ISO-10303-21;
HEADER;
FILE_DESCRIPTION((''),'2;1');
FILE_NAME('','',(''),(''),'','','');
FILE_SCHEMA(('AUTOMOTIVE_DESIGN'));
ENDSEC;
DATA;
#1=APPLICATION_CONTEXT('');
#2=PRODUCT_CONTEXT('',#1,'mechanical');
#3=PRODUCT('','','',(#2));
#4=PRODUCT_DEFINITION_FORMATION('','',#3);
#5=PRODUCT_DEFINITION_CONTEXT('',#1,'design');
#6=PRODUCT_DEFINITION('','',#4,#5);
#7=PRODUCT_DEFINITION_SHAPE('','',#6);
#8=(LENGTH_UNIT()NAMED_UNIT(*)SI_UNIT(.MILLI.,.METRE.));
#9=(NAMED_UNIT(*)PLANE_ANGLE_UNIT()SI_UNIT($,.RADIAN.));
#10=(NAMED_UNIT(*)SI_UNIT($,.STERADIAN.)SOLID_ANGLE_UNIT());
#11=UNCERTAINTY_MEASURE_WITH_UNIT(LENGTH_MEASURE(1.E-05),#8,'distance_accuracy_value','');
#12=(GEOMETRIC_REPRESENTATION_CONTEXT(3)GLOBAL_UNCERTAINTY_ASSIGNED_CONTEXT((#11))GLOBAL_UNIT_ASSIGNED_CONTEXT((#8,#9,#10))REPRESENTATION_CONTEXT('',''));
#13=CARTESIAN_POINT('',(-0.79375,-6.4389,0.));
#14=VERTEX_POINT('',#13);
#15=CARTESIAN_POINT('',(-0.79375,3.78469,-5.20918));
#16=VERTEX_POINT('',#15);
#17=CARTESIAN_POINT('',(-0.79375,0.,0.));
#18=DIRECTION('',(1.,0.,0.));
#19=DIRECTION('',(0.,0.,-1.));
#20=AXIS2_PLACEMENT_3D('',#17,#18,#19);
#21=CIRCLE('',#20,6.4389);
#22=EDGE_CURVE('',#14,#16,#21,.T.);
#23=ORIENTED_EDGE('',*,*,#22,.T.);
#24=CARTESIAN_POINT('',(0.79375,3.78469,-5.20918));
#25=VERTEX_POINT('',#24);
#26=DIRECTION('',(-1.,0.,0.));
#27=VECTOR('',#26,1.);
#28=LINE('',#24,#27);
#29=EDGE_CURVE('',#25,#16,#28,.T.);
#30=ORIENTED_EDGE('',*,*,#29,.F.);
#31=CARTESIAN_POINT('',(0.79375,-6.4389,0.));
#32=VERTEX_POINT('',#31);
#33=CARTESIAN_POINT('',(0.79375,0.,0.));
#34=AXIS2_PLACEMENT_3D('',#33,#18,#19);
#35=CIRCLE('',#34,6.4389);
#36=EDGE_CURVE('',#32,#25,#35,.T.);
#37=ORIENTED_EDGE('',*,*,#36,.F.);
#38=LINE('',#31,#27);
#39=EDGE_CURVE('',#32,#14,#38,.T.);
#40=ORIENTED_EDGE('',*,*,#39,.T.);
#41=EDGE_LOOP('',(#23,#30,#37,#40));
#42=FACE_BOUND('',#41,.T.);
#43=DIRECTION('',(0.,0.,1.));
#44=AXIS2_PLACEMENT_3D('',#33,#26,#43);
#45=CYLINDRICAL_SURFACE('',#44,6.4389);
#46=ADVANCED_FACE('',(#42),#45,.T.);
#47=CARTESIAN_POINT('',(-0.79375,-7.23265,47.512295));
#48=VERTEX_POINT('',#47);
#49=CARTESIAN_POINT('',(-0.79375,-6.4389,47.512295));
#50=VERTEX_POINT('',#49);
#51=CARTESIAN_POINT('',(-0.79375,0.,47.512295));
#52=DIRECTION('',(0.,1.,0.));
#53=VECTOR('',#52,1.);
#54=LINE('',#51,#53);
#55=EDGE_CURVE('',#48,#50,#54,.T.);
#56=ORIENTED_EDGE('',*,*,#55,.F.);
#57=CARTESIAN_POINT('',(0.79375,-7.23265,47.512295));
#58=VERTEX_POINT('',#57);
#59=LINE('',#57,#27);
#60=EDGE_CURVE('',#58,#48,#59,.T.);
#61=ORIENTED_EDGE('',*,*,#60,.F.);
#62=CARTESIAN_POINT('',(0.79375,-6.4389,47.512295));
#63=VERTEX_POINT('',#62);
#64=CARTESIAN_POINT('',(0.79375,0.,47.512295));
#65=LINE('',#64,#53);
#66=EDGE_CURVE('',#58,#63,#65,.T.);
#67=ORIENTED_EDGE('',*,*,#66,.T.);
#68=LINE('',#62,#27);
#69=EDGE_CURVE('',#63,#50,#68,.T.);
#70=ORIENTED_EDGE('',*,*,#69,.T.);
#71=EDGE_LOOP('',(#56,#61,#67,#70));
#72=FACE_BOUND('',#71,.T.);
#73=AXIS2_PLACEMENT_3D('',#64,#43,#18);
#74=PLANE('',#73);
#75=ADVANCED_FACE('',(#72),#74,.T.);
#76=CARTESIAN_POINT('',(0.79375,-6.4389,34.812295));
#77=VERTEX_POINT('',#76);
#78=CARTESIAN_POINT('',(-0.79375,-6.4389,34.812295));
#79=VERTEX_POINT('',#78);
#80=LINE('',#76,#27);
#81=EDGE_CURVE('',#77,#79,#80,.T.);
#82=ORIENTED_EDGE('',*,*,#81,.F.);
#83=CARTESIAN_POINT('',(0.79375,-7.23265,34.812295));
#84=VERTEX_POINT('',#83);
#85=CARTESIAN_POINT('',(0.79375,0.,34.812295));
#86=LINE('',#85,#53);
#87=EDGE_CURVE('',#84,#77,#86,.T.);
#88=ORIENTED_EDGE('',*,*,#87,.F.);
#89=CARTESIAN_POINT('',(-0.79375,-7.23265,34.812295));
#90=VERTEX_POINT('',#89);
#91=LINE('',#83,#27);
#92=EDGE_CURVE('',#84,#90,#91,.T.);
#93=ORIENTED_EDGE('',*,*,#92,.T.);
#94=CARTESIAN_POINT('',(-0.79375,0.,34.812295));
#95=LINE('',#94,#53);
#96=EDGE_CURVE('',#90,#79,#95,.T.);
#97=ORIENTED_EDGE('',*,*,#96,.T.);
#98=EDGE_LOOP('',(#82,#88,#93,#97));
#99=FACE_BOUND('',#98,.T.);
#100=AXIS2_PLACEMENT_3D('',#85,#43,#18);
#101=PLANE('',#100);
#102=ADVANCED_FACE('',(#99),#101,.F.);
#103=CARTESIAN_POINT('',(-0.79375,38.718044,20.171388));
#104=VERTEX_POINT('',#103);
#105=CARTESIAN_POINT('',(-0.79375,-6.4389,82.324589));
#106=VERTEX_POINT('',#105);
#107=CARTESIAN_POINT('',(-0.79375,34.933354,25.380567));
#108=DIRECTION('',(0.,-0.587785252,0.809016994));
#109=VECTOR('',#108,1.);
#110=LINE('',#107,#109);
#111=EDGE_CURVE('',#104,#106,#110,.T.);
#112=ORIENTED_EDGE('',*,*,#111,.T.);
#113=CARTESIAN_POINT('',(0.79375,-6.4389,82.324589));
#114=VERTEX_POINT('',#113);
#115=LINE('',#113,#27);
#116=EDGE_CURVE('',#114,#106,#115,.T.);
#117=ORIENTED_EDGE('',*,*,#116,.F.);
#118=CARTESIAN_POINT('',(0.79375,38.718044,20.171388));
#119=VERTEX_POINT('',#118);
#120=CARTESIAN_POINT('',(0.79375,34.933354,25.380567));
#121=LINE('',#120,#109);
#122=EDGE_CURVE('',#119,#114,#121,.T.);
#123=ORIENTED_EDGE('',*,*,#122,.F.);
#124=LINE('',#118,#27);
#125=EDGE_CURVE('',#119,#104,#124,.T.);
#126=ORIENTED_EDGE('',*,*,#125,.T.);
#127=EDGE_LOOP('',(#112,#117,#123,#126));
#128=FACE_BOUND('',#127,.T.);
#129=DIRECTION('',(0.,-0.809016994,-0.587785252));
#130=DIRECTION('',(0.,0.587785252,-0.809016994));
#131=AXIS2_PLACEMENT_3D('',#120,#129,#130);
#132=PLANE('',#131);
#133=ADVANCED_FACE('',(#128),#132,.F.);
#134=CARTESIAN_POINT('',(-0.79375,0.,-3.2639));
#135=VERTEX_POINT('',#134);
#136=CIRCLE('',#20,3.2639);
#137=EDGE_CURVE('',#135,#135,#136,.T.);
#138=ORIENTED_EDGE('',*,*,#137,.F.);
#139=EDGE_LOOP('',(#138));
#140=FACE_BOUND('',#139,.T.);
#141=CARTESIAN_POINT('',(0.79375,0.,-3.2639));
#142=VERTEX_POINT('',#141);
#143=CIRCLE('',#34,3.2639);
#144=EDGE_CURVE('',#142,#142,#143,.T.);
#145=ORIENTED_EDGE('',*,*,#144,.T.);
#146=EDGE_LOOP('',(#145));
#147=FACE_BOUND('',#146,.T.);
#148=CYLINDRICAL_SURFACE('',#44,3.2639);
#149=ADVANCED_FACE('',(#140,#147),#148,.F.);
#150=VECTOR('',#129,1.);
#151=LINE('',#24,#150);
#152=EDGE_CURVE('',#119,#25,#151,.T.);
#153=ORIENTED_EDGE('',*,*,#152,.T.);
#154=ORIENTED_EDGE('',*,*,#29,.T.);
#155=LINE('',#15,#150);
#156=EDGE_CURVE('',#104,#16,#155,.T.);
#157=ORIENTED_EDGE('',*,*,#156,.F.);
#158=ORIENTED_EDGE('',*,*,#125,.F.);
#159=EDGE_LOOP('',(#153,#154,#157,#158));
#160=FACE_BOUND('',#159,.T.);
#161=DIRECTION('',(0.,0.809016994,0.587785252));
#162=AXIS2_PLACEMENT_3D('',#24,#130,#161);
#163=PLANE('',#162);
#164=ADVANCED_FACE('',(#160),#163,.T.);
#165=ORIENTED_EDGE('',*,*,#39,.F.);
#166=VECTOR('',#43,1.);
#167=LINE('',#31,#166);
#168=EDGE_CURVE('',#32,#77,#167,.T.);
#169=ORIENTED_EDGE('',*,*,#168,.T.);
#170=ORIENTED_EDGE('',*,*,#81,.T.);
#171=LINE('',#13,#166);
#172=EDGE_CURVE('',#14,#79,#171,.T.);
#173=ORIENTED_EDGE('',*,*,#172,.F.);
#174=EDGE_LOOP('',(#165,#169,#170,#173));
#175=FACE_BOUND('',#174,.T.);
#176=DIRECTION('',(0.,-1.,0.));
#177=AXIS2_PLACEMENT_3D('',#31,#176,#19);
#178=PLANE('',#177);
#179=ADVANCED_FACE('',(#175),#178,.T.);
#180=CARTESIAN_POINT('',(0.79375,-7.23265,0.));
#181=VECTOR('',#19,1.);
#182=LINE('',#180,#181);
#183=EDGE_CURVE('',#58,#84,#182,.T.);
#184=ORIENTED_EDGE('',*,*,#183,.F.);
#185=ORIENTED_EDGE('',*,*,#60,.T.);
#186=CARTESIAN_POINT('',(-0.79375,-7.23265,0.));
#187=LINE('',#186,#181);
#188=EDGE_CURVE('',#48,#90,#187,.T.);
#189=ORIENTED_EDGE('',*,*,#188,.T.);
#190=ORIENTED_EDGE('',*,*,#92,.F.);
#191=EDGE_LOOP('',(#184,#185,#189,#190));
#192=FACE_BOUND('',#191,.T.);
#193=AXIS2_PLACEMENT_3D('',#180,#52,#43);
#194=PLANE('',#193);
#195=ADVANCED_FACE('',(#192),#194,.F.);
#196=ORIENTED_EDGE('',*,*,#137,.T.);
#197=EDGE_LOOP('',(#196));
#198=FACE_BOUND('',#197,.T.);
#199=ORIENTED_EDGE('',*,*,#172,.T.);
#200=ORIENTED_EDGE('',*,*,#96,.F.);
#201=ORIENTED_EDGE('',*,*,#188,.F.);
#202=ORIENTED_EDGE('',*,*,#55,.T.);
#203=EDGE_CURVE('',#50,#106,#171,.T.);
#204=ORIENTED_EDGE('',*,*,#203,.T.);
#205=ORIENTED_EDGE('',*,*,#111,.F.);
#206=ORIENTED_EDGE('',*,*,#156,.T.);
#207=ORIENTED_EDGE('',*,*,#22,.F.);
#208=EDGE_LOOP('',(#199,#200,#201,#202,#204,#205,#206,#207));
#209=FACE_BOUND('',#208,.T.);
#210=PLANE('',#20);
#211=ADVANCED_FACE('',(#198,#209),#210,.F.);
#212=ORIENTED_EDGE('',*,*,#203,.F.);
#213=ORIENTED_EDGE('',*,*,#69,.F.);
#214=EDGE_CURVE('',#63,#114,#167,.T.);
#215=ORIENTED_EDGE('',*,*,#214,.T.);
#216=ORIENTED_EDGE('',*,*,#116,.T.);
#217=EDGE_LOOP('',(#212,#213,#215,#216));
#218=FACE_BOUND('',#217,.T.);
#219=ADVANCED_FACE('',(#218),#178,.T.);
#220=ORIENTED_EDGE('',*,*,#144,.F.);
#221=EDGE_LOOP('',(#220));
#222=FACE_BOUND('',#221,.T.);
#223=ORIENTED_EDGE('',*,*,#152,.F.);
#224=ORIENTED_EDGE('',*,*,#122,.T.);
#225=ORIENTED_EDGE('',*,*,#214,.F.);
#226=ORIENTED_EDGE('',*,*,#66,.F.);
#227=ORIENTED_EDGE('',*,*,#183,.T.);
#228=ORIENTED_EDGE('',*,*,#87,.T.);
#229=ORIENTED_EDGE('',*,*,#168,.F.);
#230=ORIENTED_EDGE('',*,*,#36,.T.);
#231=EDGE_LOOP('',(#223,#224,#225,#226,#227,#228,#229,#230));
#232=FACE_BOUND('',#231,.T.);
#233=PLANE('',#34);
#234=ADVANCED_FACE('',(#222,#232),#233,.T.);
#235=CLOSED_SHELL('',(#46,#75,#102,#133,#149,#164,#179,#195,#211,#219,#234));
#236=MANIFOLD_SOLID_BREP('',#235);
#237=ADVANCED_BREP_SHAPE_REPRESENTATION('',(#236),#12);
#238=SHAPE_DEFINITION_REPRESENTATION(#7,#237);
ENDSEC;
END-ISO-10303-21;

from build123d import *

# Parameters (mm, degrees)
SKETCH1_R           = 3.2639
BOSS_EXTRUDE1_DEPTH = 0.79375


with BuildPart() as part:
    # Sketch1 → Boss-Extrude1 (new, symmetric)
    with BuildSketch(Plane(origin=(0, 0, 0), x_dir=(0, 0, -1), z_dir=(1, 0, 0))):
        with BuildLine():
            Line((-20.171387669, 38.718044278), (-82.324589357, -6.4389))
            Line((-82.324589357, -6.4389), (-47.512294679, -6.4389))
            Line((-47.512294679, -6.4389), (-47.512294679, -7.23265))
            Line((-47.512294679, -7.23265), (-34.812294679, -7.23265))
            Line((-34.812294679, -7.23265), (-34.812294679, -6.4389))
            Line((-34.812294679, -6.4389), (0, -6.4389))
            ThreePointArc((0, -6.4389), (5.737101909, -2.923199429), (5.209179525, 3.784690461))
            Line((5.209179525, 3.784690461), (-20.171387669, 38.718044278))
        make_face()
        Circle(SKETCH1_R, mode=Mode.SUBTRACT)
    extrude(amount=BOSS_EXTRUDE1_DEPTH, both=True)


solid = part.part
